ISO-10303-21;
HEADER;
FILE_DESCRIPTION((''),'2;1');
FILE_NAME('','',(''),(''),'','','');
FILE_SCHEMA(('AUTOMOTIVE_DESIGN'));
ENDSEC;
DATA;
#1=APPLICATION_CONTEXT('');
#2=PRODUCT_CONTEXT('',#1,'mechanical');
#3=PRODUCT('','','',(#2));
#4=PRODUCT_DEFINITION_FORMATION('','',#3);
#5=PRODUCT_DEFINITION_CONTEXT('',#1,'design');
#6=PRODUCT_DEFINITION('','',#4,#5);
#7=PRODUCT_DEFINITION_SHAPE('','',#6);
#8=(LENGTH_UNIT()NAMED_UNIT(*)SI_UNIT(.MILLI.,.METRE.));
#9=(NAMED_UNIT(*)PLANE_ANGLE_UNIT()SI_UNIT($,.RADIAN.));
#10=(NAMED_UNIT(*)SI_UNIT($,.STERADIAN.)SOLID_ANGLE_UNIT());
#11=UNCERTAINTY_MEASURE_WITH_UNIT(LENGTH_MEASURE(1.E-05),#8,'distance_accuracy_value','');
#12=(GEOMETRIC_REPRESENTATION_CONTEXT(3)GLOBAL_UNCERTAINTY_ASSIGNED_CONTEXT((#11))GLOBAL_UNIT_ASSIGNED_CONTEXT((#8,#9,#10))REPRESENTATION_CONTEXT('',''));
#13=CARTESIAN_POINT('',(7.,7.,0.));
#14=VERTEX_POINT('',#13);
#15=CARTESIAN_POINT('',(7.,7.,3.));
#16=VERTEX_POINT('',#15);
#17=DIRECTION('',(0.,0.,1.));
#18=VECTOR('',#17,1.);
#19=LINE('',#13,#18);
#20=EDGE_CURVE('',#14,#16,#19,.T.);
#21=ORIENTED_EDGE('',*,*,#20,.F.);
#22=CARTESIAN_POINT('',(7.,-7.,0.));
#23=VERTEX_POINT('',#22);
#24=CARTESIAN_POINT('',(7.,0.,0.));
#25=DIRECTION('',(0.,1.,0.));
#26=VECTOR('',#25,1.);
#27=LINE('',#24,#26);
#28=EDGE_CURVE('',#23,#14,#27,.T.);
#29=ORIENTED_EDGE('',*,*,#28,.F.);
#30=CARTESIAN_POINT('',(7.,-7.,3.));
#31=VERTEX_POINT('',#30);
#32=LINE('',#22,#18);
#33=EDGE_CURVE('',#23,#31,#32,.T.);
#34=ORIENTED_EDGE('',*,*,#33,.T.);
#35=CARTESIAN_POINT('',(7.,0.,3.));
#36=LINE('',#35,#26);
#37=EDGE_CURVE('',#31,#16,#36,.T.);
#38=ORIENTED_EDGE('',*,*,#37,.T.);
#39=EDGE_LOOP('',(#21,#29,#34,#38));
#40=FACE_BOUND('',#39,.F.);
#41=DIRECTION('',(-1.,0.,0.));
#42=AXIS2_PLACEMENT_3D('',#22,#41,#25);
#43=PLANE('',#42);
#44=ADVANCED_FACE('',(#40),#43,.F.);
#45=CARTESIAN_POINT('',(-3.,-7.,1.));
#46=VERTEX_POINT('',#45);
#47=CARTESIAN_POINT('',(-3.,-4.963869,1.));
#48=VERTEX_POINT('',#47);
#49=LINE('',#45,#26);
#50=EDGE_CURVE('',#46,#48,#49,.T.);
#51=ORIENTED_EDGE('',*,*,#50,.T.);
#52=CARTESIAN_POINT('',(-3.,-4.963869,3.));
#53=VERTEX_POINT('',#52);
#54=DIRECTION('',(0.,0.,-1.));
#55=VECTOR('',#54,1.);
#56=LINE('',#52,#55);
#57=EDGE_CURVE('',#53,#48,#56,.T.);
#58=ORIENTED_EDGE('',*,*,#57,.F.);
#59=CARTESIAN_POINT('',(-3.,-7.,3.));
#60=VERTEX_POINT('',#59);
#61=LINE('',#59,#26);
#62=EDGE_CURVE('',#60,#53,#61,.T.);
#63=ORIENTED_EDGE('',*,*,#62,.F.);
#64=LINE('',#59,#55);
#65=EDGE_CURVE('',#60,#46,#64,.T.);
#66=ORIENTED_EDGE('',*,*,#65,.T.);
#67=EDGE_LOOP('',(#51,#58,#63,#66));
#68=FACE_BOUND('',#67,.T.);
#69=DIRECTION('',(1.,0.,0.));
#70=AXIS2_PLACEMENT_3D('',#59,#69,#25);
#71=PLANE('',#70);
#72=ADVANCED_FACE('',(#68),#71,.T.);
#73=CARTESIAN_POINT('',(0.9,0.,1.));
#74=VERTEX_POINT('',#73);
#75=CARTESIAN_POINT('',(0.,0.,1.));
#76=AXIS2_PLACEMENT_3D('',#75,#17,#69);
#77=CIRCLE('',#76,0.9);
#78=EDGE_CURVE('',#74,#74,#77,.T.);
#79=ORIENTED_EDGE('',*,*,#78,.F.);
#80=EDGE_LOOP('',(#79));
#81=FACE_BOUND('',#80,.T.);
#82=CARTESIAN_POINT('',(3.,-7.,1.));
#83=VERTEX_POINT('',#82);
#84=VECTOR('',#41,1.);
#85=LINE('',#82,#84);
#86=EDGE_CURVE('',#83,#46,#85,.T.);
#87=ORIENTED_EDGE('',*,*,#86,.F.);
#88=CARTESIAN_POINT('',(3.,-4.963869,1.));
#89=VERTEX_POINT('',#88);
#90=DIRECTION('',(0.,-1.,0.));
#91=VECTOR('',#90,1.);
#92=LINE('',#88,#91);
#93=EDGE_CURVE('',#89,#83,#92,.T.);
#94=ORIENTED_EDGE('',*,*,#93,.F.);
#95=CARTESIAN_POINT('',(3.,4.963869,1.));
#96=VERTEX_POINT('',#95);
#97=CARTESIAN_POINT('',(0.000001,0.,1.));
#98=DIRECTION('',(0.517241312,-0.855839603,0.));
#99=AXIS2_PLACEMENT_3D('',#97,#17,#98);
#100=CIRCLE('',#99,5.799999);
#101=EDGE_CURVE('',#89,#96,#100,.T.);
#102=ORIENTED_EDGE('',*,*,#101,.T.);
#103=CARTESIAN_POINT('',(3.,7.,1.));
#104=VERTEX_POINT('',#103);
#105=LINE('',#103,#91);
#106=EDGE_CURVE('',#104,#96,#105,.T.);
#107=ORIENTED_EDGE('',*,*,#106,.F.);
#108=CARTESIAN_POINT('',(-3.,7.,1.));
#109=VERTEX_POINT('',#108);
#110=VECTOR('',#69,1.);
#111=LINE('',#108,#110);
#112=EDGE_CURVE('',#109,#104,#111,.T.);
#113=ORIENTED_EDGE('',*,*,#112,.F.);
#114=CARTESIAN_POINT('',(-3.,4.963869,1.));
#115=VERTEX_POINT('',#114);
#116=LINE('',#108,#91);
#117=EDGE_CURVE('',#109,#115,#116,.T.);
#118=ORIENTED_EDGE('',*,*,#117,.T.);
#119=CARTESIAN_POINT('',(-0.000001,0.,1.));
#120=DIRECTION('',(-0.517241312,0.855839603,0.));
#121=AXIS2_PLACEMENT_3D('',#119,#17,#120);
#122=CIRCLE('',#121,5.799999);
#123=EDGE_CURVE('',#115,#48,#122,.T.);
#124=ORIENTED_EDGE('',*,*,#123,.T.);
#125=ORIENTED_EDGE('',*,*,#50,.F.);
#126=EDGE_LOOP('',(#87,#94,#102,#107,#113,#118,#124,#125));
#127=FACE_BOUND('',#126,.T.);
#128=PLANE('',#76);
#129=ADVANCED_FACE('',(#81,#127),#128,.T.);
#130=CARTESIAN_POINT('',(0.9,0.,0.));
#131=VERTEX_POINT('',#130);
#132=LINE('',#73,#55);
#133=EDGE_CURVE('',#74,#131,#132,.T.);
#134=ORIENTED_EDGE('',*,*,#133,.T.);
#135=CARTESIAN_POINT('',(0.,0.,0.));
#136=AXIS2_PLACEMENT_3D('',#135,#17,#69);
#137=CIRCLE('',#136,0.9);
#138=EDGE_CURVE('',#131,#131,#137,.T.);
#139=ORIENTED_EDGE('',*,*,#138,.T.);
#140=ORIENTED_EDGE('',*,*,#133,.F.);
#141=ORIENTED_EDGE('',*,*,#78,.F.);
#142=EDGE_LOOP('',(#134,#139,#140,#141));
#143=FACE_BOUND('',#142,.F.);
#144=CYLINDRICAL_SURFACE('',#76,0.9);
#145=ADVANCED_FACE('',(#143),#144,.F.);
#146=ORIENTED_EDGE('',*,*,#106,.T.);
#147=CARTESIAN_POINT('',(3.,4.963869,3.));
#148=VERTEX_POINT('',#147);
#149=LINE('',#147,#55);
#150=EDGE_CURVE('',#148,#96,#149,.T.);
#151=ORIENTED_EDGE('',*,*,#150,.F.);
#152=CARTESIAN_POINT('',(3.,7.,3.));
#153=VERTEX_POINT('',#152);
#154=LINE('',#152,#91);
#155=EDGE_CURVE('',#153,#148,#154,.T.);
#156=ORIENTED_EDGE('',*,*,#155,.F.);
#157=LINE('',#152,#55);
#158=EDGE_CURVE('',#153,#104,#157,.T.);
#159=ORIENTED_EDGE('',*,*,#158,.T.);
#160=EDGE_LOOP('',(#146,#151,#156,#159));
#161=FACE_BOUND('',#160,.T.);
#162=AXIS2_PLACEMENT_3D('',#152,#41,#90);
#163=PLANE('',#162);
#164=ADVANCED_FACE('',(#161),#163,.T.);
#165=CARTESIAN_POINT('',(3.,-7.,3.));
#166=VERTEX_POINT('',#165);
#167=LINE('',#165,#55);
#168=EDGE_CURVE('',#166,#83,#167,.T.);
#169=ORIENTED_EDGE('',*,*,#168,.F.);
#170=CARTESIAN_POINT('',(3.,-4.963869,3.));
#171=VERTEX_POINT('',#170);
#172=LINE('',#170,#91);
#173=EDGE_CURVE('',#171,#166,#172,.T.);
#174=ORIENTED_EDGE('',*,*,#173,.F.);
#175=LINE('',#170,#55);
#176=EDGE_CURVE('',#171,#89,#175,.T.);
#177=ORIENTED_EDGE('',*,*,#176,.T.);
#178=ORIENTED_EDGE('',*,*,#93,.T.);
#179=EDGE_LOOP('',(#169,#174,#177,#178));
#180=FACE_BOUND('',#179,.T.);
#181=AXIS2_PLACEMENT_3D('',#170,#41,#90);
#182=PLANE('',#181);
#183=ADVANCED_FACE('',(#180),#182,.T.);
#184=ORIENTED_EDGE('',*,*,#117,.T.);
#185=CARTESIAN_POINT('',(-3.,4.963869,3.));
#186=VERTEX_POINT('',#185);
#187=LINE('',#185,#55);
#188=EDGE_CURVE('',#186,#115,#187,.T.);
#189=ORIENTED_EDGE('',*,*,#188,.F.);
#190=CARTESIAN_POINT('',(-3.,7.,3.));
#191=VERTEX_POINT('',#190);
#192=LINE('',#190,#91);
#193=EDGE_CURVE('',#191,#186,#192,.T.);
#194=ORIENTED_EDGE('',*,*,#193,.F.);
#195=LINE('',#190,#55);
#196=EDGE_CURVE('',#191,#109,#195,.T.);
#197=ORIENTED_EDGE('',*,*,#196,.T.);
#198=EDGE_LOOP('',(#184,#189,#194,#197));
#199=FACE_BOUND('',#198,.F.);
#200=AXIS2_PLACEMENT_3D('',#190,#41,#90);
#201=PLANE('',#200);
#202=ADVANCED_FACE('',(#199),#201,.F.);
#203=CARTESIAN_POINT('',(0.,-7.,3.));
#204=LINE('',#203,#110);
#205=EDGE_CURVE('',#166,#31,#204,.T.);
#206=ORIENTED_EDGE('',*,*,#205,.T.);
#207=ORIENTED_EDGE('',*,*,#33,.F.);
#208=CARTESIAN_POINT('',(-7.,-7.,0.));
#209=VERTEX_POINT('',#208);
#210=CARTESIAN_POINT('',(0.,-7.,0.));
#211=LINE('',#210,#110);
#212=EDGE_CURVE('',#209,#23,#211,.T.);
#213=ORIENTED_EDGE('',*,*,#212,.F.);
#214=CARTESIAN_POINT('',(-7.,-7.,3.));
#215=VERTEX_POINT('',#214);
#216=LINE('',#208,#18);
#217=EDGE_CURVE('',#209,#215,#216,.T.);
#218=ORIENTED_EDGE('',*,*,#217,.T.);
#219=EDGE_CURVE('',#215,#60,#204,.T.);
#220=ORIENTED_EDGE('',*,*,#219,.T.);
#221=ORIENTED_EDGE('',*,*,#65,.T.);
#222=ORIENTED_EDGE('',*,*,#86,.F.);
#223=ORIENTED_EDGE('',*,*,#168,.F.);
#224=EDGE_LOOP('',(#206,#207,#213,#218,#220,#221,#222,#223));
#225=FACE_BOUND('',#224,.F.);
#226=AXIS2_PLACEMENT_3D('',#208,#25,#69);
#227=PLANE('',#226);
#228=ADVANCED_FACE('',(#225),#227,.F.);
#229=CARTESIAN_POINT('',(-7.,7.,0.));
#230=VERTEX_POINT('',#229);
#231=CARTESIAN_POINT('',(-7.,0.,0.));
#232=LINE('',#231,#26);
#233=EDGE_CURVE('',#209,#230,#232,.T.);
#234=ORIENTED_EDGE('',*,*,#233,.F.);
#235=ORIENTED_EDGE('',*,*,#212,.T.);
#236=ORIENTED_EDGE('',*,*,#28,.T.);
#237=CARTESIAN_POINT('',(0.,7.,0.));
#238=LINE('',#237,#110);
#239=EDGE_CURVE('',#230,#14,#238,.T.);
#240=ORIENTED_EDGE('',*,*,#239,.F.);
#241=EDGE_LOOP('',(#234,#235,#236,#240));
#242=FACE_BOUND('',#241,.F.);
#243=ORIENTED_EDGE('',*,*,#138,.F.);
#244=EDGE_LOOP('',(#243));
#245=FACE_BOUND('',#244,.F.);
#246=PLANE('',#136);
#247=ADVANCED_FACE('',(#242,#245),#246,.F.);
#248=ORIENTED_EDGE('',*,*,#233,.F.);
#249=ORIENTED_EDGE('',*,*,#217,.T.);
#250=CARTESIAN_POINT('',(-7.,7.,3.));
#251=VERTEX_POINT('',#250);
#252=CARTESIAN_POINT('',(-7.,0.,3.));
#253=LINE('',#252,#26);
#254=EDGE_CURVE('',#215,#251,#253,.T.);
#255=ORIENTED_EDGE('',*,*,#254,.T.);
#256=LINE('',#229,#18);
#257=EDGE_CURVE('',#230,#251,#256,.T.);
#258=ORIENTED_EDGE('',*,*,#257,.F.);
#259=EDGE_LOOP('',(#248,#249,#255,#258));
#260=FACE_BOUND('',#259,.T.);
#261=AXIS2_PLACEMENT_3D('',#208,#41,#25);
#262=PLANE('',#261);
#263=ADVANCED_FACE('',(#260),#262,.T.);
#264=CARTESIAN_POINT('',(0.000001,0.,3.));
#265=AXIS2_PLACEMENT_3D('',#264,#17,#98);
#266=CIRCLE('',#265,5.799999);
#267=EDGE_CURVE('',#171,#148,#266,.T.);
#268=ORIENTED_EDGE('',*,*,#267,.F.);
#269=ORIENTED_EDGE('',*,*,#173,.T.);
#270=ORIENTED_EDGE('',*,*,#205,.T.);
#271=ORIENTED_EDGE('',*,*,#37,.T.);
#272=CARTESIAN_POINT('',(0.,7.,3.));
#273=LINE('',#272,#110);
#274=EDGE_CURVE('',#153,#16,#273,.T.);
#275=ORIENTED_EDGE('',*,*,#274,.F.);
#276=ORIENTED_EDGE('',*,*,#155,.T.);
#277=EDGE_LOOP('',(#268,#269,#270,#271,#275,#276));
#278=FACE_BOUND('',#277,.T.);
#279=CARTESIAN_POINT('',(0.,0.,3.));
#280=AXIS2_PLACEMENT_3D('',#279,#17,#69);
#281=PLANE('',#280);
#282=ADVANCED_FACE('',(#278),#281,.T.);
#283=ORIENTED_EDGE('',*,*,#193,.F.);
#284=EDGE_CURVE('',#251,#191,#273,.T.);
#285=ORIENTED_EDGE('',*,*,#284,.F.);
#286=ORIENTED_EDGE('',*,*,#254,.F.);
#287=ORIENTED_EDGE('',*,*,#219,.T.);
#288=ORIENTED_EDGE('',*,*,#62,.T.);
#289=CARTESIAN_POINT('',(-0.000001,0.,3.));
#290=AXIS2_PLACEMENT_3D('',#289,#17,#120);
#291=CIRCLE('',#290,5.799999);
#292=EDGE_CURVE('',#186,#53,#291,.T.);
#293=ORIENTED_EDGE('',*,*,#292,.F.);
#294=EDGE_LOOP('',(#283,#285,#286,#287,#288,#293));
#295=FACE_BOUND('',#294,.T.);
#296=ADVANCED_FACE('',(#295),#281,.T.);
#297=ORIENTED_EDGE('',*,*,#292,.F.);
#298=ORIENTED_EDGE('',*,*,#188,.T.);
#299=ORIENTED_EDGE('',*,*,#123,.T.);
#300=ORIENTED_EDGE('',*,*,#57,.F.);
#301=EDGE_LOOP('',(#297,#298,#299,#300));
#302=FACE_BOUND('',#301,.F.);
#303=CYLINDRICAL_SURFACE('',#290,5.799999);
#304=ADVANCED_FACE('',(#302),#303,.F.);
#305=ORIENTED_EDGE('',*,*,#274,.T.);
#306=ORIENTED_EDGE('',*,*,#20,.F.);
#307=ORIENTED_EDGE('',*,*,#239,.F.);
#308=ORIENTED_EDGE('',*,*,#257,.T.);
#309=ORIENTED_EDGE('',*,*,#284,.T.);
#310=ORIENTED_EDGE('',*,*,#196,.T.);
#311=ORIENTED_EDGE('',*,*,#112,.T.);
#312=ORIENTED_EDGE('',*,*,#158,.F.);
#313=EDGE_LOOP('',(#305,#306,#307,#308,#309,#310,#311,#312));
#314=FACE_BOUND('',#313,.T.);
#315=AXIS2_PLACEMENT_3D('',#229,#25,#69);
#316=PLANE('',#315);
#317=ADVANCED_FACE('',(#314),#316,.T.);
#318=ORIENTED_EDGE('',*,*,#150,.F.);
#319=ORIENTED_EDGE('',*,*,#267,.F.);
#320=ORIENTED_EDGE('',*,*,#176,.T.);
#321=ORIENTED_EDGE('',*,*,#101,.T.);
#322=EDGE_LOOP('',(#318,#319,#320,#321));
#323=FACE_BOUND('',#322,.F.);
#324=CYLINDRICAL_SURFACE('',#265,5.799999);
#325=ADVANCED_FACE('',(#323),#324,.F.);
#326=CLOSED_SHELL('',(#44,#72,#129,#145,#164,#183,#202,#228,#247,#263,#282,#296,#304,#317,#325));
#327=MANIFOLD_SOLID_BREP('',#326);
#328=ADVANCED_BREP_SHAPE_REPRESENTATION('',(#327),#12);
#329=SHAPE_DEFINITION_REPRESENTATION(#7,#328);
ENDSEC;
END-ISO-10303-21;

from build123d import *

# Parameters (mm, degrees)
SKETCH006_W     = 14
SKETCH006_H     = 14
PAD002_DEPTH    = 3
POCKET004_DEPTH = 2
SKETCH008_R     = 0.9
POCKET005_DEPTH = 1.001


with BuildPart() as part:
    # Sketch006 → Pad002 (new body)
    with BuildSketch(Plane.XY):
        Rectangle(SKETCH006_W, SKETCH006_H)
    extrude(amount=PAD002_DEPTH)

    # Sketch007 (on Face6 of Pad002) → Pocket004 (cut)
    with BuildSketch(Plane.XY.offset(3)):
        with BuildLine():
            Line((-3, 7), (-3, 4.963869))
            ThreePointArc((-3, 4.963869), (-5.8, 0), (-3, -4.963869))
            Line((-3, -7), (-3, -4.963869))
            Line((3, -7), (-3, -7))
            Line((3, -4.963869), (3, -7))
            ThreePointArc((3, -4.963869), (5.8, 0), (3, 4.963869))
            Line((3, 7), (3, 4.963869))
            Line((-3, 7), (3, 7))
        make_face()
    extrude(amount=-POCKET004_DEPTH, mode=Mode.SUBTRACT)

    # Sketch008 (on Face6 of Pocket004) → Pocket005 (cut, through all)
    with BuildSketch(Plane.XY.offset(1)):
        Circle(SKETCH008_R)
    extrude(amount=-POCKET005_DEPTH, mode=Mode.SUBTRACT)


solid = part.part
